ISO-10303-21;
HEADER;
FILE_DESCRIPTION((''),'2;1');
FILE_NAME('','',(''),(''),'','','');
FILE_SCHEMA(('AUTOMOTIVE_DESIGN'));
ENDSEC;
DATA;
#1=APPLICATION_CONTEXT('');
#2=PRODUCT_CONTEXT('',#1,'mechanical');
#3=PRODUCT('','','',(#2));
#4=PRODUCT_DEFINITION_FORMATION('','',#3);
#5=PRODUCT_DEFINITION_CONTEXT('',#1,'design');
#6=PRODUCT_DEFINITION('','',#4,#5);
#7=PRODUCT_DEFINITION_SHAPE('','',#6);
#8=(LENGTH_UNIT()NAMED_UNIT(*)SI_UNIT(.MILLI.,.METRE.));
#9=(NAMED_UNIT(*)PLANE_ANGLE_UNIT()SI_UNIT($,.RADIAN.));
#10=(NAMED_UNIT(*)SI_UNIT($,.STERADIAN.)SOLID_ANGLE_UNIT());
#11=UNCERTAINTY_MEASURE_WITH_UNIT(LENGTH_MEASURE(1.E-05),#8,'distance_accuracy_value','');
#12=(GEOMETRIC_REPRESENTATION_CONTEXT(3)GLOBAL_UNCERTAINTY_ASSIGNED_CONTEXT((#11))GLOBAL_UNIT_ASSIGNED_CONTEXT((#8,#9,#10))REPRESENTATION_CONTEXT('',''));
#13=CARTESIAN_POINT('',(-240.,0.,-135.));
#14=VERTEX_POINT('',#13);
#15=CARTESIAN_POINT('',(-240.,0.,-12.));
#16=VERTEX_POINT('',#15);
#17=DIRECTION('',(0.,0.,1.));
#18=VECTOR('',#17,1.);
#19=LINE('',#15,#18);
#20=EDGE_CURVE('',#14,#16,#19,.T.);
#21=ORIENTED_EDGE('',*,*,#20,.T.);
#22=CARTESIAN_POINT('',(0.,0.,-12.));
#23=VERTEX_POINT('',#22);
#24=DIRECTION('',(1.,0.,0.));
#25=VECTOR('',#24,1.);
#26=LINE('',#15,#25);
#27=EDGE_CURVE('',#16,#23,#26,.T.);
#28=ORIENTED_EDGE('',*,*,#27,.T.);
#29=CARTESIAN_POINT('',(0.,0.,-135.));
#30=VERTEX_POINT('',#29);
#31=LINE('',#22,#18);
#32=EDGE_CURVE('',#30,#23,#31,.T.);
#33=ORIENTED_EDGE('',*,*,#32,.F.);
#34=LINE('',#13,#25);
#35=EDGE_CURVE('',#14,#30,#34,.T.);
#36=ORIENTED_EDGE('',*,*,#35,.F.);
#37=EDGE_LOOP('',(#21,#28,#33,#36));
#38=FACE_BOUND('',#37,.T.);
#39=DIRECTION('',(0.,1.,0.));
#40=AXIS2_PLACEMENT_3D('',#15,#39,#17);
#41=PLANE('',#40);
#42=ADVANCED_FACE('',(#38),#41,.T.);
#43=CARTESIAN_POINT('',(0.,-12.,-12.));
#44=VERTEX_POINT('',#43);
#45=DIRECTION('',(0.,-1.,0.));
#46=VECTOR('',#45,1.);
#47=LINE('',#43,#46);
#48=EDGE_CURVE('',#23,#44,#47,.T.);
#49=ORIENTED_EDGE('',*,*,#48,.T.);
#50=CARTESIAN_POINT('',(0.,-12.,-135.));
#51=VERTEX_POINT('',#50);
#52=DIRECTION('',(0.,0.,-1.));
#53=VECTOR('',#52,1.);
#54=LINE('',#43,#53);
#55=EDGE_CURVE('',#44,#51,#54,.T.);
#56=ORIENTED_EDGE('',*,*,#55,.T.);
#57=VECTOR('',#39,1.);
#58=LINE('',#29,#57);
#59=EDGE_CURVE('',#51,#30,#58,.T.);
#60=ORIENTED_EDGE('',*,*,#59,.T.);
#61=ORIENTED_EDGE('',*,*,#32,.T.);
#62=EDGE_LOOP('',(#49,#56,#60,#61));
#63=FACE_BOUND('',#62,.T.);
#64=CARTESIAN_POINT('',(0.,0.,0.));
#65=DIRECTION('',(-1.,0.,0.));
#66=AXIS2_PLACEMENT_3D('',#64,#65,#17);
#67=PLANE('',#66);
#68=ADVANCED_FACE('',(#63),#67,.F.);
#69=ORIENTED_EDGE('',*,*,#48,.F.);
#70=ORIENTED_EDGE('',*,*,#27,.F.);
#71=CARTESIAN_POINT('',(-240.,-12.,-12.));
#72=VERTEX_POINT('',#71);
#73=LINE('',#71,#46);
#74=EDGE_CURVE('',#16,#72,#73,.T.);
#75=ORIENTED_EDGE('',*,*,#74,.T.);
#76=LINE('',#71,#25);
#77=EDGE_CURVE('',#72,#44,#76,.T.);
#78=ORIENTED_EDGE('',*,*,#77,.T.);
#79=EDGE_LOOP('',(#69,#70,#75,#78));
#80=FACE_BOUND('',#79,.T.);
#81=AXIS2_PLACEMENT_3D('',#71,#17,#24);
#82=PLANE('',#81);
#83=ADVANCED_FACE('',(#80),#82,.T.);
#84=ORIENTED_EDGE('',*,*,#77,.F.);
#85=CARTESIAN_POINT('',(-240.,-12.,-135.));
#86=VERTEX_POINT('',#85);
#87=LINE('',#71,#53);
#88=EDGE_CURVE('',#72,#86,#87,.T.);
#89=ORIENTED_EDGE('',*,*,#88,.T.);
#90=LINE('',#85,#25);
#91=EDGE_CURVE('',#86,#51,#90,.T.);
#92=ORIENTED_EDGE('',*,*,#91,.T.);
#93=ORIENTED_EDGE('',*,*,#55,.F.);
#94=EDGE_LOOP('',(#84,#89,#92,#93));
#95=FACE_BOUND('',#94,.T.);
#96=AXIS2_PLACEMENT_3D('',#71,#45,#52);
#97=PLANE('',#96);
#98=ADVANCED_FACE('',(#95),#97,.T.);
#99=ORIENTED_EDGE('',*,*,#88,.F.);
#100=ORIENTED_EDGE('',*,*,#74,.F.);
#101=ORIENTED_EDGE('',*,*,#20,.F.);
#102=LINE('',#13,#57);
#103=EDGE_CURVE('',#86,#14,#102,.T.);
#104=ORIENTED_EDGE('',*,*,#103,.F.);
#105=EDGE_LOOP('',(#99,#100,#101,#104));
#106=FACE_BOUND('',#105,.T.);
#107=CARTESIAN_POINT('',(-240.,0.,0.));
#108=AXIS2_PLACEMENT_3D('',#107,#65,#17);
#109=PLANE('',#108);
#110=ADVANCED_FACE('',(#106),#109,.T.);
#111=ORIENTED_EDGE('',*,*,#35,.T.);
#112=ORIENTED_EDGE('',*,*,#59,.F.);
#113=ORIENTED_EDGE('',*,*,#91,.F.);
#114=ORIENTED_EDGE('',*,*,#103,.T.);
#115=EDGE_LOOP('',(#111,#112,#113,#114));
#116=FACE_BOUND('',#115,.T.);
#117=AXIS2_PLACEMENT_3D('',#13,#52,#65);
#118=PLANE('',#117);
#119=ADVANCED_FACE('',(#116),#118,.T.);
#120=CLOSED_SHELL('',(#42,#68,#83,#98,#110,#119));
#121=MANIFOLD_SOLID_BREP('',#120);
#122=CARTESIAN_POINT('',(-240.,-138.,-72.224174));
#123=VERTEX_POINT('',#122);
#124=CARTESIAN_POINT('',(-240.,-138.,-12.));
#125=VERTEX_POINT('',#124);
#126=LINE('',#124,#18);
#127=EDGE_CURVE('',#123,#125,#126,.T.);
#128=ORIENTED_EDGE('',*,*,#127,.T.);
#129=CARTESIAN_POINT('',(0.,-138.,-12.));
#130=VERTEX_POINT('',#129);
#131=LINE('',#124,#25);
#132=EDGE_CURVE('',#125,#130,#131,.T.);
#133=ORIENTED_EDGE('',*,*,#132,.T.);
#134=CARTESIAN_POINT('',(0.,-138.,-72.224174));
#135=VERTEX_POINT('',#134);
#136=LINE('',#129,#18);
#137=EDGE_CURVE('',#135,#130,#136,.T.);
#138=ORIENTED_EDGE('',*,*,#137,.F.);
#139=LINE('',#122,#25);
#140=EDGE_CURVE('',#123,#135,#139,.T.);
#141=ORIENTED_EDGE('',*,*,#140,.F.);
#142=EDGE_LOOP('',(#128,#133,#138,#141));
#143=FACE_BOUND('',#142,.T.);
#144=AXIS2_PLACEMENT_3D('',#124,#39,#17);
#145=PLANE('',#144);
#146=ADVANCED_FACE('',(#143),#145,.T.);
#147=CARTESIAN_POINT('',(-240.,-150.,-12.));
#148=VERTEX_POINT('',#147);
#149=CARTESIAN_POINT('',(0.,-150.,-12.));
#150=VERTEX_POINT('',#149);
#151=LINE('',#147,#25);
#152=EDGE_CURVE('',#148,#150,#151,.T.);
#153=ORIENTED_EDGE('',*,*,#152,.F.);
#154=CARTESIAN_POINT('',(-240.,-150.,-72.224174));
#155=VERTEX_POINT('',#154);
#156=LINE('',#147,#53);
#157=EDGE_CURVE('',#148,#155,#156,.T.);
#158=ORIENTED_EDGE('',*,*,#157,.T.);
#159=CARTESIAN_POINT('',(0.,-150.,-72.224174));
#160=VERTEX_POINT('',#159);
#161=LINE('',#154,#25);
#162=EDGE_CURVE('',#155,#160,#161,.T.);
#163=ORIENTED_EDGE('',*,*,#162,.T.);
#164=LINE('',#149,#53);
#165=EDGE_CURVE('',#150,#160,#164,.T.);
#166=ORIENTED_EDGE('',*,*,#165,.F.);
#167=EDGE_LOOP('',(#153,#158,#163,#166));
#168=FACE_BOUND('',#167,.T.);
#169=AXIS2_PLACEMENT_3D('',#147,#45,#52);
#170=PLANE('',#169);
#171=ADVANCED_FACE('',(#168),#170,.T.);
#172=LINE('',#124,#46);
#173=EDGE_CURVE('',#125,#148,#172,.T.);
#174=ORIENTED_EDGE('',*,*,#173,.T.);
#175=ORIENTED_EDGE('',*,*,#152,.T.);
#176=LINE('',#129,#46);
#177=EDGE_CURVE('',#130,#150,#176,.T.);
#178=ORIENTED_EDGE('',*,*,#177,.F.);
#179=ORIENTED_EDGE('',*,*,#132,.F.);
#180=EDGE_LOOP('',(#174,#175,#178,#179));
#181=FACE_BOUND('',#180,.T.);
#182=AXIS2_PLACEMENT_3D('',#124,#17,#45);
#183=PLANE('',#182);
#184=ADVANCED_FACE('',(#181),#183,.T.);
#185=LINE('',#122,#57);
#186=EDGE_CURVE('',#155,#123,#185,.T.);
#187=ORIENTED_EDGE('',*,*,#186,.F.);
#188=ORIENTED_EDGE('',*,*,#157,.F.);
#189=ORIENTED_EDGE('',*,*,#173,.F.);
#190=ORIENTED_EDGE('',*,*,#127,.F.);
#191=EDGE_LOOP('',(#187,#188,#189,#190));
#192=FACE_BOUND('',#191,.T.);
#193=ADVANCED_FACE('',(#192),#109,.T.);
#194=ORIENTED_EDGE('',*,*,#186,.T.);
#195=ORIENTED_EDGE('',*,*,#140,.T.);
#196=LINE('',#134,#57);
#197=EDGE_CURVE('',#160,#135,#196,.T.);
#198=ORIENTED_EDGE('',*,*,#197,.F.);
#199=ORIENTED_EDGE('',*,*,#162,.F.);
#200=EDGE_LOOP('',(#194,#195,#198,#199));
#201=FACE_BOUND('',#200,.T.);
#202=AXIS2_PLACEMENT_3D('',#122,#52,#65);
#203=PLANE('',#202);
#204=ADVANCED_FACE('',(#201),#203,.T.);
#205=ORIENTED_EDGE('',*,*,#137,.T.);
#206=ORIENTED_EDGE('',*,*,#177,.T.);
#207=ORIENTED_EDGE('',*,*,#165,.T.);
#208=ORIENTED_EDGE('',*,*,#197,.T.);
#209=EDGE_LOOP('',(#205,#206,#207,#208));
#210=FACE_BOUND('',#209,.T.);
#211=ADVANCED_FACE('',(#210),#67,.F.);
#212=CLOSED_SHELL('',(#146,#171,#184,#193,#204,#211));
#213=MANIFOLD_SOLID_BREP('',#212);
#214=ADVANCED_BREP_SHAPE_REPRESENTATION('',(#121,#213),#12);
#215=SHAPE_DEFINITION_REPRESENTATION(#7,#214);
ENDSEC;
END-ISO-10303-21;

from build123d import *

# Parameters (mm, degrees)
SKETCH1_W             = 123
SKETCH1_H             = 12
BOSS_EXTRUDE1_DEPTH   = 240
SKETCH1_W_2           = 60.224174311
BOSS_EXTRUDE1_2_DEPTH = 240


with BuildPart() as part:
    # Sketch1 → Boss-Extrude1 (new body)
    with BuildSketch(Plane(origin=(0, 0, 0), x_dir=(0, 0, -1), z_dir=(1, 0, 0))):
        with Locations((73.5, -6)):
            Rectangle(SKETCH1_W, SKETCH1_H)
    extrude(amount=-BOSS_EXTRUDE1_DEPTH)


with BuildPart() as body_2:
    # Sketch1 → Boss-Extrude1 2 (new body)
    with BuildSketch(Plane(origin=(0, 0, 0), x_dir=(0, 0, -1), z_dir=(1, 0, 0))):
        with Locations((42.112087155, -144)):
            Rectangle(SKETCH1_W_2, SKETCH1_H)
    extrude(amount=-BOSS_EXTRUDE1_2_DEPTH)


solid = Compound([part.part, body_2.part])
